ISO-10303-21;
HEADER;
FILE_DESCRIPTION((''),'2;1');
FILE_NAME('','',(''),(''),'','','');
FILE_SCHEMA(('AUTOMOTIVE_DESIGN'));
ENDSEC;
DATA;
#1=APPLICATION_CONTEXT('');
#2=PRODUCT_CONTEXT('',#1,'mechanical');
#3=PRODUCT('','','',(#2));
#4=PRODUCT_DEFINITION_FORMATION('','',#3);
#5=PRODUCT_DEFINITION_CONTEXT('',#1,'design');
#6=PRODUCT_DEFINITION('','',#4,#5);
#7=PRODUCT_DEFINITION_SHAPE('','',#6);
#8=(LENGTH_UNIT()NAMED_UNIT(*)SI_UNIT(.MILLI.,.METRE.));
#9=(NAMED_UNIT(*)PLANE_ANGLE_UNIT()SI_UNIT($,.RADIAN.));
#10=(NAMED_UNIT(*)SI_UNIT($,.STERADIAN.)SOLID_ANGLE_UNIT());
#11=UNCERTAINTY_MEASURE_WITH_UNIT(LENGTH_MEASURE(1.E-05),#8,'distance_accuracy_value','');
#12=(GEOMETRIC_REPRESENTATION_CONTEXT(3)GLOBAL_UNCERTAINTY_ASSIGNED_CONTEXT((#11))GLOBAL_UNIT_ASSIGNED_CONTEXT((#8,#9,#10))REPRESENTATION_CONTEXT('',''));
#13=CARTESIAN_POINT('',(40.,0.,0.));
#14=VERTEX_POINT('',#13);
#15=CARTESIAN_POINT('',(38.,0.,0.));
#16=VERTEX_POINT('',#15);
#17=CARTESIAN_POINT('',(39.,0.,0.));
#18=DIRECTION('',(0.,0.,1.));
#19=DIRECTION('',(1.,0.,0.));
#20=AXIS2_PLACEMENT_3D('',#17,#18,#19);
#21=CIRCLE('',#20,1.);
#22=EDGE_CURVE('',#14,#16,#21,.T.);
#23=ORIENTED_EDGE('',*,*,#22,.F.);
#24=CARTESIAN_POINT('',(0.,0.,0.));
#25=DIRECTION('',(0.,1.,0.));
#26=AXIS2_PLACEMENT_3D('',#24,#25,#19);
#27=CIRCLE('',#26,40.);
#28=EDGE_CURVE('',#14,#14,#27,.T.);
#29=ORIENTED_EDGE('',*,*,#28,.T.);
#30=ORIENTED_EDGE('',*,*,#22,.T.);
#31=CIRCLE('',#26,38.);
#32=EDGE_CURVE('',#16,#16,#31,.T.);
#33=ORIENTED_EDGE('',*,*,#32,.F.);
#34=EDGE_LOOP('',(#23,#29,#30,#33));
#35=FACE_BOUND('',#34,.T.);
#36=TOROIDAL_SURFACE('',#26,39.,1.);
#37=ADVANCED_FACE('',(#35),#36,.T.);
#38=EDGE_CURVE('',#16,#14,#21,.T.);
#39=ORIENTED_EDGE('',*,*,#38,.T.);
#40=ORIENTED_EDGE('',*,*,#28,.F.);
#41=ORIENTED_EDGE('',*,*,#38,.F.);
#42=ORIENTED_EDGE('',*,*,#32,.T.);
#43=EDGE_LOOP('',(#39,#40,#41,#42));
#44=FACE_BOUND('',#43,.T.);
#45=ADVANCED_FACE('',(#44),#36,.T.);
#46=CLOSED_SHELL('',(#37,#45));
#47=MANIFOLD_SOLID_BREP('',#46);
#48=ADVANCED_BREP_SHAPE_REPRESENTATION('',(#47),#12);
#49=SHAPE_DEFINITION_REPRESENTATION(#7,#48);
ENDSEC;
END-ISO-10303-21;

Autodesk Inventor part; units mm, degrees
ref_plane "YZ Plane" through (0, 0, 0) normal (1, 0, 0) x (0, 1, 0)
ref_plane "XZ Plane" through (0, 0, 0) normal (0, 1, 0) x (-1, 0, 0)
ref_plane "XY Plane" through (0, 0, 0) normal (0, 0, 1) x (1, 0, 0)
sketch "Эскиз1" plane through (0, 0, 0) normal (0, 0, 1) x (1, 0, 0)
  line L0 (0, 0) -> (39, 0)
  circle A0 centre (39, 0) radius 1
  line L1 (0, -1.4) -> (0, 1.4) projected
  dimension "d0" = 39
  dimension "d1" = 2
revolve "Вращение1" add sketch "Эскиз1" angle 360 about axis through (0, -10, 0) along (0, 1, 0)
properties part number "Маслосъемная пружина" material "Сталь, углеродистая"
